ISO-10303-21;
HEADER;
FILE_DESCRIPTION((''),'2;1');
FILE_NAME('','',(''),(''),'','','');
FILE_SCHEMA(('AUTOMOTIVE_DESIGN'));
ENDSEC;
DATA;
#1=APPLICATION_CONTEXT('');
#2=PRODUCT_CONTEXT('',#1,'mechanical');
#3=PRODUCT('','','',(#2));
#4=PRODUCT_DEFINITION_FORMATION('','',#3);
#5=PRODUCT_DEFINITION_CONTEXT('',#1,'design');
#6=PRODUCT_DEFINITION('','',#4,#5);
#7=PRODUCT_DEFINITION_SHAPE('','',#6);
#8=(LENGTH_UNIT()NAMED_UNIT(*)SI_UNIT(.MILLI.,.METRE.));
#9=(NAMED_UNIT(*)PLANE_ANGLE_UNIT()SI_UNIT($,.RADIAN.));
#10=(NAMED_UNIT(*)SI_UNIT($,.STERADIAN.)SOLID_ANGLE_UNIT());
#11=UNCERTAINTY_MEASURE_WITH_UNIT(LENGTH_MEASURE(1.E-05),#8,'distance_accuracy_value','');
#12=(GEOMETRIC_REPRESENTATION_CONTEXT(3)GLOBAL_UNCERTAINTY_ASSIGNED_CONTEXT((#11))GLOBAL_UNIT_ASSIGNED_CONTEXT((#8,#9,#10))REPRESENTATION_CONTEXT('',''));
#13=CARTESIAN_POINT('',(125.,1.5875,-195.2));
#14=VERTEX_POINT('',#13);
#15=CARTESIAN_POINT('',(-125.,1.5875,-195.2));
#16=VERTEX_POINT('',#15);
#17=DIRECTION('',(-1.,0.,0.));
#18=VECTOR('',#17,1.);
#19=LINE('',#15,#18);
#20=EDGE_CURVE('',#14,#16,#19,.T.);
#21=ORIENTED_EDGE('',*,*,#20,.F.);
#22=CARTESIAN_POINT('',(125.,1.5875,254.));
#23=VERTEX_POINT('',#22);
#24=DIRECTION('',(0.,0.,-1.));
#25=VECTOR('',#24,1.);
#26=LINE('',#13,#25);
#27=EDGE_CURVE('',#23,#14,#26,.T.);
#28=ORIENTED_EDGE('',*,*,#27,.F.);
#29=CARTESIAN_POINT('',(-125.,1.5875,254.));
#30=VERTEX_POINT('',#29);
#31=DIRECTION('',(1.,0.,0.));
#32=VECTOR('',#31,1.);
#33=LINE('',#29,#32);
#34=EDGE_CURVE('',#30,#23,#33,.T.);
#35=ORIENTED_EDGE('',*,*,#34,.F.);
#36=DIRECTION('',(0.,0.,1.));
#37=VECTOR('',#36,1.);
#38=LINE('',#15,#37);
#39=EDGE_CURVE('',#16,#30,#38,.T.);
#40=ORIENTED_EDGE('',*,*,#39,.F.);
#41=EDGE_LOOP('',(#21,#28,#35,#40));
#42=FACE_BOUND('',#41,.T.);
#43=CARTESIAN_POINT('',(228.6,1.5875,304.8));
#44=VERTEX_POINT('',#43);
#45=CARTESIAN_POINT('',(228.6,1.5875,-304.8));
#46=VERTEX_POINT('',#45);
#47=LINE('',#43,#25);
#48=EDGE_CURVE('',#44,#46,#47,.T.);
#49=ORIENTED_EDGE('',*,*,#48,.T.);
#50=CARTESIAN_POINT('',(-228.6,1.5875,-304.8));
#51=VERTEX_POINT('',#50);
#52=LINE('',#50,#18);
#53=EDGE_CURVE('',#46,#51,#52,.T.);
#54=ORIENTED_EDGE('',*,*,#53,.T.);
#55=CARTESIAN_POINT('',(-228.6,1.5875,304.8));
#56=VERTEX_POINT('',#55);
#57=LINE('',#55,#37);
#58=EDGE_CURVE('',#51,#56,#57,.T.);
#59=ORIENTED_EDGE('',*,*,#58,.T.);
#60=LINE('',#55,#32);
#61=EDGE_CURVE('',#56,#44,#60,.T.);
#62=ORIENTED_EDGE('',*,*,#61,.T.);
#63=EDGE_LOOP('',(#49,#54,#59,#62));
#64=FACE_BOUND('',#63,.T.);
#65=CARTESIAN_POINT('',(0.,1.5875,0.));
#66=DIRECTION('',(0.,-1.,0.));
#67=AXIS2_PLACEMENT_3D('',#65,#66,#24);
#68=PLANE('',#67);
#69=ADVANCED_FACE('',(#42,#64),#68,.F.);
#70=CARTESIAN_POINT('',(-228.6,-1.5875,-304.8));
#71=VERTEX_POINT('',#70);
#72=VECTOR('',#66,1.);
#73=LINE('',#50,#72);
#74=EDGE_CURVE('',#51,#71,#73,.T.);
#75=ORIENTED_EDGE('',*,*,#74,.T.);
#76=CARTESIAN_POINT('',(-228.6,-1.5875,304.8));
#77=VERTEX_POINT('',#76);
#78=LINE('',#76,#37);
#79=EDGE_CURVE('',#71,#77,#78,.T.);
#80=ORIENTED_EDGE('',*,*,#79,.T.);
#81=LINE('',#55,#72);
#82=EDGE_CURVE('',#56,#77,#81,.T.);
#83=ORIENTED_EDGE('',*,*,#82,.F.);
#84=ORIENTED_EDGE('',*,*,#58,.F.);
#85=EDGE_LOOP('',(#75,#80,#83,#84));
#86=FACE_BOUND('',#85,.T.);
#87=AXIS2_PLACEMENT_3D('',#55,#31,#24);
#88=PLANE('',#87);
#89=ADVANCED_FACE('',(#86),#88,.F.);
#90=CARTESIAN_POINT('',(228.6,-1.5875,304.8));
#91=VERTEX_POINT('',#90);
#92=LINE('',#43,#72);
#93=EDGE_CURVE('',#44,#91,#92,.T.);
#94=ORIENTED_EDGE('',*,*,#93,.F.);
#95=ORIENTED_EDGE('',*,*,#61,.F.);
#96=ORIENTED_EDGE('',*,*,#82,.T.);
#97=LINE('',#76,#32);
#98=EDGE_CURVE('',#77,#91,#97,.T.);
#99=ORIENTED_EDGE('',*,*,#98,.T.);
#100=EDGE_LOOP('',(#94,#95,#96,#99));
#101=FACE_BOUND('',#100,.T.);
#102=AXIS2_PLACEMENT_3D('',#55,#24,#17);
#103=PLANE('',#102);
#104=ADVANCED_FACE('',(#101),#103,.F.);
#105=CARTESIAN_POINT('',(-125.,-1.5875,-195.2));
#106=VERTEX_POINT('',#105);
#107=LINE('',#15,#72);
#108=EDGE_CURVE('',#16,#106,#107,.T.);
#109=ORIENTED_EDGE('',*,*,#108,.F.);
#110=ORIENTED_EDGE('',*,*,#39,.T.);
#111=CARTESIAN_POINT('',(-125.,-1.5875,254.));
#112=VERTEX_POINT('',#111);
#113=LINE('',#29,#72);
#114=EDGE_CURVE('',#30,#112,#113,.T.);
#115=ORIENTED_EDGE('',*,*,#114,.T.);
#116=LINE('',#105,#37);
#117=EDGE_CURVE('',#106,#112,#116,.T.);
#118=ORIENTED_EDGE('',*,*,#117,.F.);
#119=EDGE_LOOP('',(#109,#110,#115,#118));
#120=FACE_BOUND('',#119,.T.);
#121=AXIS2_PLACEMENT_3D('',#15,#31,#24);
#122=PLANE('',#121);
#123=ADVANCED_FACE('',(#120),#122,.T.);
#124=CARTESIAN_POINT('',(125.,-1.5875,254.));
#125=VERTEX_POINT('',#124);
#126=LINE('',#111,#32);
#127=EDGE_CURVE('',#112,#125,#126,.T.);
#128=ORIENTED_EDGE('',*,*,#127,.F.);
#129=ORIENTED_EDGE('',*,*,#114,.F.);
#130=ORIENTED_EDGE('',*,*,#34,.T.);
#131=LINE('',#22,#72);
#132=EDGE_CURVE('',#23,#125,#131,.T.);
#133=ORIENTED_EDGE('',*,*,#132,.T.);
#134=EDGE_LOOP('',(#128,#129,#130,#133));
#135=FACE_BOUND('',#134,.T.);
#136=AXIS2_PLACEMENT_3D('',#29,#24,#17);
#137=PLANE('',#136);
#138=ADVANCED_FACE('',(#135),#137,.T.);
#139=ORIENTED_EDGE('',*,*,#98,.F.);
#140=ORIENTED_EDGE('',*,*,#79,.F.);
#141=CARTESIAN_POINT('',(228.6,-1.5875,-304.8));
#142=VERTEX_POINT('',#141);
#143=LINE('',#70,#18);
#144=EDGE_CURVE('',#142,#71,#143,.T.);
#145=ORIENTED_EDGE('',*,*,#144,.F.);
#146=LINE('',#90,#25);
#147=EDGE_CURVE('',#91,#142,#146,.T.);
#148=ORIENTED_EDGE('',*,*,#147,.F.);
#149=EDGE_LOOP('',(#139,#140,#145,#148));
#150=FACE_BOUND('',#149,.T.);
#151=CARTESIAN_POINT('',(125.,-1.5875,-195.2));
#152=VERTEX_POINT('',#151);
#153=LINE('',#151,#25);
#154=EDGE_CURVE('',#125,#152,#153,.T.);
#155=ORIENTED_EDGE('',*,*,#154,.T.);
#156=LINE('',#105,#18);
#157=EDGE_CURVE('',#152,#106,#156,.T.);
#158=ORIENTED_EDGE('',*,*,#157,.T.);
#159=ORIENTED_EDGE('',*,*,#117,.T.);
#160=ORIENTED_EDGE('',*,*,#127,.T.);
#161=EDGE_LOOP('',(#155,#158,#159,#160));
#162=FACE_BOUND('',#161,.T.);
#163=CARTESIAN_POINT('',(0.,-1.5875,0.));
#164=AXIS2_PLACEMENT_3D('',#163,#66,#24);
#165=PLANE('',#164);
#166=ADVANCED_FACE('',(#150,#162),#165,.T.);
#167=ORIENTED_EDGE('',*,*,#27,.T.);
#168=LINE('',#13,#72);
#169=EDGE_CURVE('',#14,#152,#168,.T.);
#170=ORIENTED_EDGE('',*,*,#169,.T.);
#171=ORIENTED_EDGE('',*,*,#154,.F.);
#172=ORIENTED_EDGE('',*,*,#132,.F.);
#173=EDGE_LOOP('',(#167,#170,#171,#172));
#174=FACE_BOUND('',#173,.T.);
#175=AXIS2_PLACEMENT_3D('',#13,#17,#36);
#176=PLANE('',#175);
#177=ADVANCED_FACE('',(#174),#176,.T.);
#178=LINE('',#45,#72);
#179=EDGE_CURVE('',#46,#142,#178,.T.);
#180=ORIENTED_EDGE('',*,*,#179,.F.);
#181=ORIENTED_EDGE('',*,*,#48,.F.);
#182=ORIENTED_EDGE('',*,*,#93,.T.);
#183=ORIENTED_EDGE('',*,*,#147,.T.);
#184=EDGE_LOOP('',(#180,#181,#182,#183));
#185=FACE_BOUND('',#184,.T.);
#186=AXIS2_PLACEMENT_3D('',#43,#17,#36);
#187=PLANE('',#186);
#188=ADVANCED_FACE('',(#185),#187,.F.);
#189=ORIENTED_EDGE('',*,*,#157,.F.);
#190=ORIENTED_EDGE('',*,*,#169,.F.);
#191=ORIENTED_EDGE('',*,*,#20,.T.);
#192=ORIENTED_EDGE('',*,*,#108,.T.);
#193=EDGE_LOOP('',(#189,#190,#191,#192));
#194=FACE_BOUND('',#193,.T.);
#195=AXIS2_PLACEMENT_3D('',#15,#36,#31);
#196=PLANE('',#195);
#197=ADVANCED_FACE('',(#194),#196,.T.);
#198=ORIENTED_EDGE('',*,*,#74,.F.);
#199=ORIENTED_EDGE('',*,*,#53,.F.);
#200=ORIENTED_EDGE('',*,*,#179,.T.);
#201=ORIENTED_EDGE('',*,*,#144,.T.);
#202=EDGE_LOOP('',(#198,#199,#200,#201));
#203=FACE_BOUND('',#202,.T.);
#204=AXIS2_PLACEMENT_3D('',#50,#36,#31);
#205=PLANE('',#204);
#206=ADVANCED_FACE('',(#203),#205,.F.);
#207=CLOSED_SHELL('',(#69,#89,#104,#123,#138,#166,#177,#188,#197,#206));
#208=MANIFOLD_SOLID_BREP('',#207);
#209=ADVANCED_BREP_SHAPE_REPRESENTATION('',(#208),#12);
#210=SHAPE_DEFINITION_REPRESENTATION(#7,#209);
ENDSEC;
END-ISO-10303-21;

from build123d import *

# Parameters (mm, degrees)
SKETCH1_W           = 457.2
SKETCH1_H           = 609.6
SKETCH1_W_2         = 250
SKETCH1_H_2         = 449.2
BOSS_EXTRUDE1_DEPTH = 1.5875


with BuildPart() as part:
    # Sketch1 → Boss-Extrude1 (new body, symmetric)
    with BuildSketch(Plane(origin=(0, 0, 0), x_dir=(1, 0, 0), z_dir=(0, 1, 0))):
        Rectangle(SKETCH1_W, SKETCH1_H)
        with Locations((0, -29.4)):
            Rectangle(SKETCH1_W_2, SKETCH1_H_2, mode=Mode.SUBTRACT)
    extrude(amount=BOSS_EXTRUDE1_DEPTH, both=True)


solid = part.part
